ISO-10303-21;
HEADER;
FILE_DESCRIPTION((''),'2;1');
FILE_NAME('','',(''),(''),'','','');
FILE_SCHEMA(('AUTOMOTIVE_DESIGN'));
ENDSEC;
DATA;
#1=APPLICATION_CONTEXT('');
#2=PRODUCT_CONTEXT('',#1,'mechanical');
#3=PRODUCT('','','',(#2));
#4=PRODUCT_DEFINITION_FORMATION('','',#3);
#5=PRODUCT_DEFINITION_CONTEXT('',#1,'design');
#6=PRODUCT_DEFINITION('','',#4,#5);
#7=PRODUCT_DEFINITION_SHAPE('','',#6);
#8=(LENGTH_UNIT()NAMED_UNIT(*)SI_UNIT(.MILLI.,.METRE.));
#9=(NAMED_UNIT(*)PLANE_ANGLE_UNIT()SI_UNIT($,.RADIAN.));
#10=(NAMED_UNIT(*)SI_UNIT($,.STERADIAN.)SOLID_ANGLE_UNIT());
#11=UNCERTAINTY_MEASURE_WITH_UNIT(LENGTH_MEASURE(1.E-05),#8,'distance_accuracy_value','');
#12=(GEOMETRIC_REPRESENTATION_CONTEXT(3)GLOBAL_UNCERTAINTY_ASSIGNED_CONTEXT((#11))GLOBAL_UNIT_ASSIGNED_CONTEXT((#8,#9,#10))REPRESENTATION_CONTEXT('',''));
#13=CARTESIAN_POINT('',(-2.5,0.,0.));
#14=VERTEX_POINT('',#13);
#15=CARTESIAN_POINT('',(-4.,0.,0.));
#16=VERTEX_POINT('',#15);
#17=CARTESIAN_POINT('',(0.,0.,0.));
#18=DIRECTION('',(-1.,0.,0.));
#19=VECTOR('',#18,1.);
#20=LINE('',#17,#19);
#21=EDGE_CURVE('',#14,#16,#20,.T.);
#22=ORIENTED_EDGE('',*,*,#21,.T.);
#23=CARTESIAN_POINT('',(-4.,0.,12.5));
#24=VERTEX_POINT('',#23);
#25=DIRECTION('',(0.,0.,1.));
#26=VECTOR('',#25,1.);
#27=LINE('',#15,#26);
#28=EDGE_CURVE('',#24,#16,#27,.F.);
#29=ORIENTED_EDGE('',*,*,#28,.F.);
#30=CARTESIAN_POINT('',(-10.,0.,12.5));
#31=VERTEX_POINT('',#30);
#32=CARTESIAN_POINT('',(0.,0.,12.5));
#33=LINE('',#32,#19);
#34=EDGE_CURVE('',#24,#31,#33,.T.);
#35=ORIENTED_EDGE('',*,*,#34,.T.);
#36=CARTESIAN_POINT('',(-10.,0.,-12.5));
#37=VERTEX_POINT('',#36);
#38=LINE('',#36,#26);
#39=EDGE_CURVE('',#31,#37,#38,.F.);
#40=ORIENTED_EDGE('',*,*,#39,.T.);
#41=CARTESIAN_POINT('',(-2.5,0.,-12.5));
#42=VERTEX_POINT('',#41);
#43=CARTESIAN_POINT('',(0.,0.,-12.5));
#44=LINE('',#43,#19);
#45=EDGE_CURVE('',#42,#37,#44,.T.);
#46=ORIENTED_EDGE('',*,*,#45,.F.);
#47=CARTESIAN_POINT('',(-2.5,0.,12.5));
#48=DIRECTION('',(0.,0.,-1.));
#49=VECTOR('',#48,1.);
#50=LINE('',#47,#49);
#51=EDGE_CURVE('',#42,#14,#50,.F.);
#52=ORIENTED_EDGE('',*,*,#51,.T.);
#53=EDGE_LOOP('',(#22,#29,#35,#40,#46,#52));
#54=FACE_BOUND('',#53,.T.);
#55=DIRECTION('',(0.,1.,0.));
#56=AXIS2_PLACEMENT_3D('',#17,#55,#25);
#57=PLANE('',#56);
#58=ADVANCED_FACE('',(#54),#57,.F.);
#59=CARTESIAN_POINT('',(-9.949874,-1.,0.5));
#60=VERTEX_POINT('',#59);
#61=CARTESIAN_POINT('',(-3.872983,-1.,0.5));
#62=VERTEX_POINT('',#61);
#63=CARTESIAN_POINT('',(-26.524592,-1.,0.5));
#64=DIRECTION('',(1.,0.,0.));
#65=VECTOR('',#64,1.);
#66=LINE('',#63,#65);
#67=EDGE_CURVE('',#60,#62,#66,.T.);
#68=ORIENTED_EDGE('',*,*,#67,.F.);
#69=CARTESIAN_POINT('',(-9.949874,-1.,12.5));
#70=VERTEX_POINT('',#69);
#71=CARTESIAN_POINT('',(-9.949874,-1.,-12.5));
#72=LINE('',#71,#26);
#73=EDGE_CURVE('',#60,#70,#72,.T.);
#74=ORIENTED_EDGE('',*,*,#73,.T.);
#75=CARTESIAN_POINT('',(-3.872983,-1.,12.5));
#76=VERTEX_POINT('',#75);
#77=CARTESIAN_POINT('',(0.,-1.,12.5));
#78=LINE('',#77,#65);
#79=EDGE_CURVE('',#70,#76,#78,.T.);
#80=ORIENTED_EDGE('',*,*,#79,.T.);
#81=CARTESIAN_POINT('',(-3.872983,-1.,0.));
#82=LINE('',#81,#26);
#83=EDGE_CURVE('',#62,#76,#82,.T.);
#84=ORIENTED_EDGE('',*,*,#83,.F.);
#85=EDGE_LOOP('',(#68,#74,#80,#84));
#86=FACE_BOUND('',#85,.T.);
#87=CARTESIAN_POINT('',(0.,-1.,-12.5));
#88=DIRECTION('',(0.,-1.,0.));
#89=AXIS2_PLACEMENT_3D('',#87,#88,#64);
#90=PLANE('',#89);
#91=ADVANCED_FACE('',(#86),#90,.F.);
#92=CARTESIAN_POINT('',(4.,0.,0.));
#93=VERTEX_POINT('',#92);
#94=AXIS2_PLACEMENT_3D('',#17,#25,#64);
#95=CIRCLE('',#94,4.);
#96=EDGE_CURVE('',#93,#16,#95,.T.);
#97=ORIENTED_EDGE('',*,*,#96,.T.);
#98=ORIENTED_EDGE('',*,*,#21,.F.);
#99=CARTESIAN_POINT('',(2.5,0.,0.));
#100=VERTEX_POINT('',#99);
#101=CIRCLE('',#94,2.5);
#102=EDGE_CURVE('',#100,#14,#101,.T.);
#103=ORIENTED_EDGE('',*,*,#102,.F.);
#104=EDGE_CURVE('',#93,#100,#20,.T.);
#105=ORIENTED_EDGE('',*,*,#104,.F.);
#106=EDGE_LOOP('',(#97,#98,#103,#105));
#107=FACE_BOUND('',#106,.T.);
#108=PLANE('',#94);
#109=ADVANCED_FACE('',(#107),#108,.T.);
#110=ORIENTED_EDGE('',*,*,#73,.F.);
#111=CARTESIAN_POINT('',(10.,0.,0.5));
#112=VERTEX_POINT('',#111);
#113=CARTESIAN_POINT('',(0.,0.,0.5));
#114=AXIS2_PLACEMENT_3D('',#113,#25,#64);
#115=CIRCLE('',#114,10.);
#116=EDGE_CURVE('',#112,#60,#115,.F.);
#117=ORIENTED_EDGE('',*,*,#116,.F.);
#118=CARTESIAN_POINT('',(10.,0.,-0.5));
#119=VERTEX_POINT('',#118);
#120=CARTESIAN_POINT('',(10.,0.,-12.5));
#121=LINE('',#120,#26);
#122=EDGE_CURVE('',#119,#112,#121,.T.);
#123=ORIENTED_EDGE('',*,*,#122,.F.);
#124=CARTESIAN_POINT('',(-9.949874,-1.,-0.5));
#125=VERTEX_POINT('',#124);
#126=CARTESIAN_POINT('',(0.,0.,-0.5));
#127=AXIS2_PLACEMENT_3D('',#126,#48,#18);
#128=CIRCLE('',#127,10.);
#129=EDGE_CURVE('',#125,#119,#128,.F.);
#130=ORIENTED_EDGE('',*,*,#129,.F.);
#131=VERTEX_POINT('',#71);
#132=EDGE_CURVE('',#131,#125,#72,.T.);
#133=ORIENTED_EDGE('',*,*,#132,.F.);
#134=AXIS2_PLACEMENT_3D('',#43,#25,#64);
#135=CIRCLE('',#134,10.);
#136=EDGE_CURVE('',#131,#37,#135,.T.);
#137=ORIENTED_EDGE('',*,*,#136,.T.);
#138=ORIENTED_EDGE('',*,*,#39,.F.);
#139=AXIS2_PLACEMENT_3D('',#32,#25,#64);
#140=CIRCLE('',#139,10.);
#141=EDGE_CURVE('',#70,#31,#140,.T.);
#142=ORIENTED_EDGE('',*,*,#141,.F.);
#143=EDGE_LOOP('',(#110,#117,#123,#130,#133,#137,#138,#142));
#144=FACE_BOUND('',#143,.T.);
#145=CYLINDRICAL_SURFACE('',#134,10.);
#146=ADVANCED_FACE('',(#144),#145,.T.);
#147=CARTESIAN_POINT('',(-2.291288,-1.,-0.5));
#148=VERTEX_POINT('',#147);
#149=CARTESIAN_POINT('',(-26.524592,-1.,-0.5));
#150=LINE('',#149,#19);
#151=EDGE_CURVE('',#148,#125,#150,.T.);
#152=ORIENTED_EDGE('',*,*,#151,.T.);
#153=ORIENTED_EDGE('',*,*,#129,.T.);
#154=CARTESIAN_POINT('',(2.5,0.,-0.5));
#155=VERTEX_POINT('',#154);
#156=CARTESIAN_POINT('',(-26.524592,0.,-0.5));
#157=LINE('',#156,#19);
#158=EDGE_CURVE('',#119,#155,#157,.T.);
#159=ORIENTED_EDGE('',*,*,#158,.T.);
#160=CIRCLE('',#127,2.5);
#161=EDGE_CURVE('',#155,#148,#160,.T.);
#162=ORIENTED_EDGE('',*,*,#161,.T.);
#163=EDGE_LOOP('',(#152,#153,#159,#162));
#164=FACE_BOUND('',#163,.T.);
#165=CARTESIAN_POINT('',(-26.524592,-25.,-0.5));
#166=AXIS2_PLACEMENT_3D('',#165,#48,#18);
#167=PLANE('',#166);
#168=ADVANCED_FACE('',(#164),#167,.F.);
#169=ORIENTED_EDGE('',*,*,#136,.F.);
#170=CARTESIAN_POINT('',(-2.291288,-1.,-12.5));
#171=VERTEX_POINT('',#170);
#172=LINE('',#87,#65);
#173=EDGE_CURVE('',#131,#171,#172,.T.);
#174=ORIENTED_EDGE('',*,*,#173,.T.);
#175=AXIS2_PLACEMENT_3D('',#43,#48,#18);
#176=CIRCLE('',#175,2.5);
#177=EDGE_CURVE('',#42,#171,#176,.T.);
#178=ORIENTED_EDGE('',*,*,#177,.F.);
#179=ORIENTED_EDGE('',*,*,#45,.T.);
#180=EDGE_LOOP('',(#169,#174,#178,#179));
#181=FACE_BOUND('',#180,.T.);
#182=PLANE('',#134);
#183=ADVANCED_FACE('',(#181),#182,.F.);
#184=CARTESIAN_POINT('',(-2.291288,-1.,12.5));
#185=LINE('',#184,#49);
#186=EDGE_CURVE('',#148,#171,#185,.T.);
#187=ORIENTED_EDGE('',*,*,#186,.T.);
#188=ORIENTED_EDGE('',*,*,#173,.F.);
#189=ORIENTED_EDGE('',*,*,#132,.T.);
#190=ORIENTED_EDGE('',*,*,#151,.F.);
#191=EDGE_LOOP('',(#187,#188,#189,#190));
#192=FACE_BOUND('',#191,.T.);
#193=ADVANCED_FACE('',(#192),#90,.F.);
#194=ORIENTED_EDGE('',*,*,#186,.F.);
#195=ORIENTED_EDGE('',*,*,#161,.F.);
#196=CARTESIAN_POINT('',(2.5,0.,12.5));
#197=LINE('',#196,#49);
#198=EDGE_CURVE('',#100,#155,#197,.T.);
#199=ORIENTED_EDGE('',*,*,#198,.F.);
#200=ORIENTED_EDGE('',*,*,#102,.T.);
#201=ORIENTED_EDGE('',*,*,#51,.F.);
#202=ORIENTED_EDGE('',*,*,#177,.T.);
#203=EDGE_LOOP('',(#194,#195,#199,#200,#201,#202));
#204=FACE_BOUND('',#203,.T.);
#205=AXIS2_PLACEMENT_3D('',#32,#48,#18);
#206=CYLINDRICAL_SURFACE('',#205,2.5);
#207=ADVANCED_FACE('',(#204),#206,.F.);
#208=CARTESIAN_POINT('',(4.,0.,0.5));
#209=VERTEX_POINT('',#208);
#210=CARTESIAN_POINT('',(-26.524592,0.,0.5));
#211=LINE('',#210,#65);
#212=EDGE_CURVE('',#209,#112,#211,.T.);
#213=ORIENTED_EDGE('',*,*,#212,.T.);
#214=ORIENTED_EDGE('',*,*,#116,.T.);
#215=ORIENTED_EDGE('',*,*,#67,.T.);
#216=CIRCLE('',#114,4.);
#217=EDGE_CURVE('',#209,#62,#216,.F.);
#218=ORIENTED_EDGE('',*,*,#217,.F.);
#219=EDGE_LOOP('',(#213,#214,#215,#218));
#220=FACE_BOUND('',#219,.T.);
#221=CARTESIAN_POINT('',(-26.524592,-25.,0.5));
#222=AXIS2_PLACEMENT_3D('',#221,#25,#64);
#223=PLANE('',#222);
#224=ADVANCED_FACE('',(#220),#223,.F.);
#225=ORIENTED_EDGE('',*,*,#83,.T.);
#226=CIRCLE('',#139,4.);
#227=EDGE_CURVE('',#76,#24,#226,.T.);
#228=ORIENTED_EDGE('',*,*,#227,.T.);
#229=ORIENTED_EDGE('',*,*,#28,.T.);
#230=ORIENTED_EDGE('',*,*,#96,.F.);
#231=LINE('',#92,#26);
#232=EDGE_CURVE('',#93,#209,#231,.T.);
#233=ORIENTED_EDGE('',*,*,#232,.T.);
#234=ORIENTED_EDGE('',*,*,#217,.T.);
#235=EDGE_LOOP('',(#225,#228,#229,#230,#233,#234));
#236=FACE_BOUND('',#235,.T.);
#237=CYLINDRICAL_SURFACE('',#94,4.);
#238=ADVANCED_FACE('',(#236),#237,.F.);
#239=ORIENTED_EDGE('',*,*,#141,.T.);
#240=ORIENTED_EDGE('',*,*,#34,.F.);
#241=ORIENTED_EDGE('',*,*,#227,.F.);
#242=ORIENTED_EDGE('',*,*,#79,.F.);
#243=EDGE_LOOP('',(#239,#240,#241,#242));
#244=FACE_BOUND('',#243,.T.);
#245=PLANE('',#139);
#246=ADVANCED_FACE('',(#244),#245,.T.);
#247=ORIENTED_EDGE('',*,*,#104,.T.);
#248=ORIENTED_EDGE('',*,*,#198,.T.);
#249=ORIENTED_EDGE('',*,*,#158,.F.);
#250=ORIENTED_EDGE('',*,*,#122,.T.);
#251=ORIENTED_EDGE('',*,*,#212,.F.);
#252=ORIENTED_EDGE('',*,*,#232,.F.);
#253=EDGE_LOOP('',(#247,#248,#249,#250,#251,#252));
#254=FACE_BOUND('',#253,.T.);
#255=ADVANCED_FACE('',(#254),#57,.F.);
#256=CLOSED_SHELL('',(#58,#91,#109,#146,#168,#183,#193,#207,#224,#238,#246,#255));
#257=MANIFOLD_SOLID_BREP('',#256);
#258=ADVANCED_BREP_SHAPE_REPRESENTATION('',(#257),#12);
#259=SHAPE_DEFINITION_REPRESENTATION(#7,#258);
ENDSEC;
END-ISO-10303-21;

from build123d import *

# Parameters (mm, degrees)
SKETCH_1_R          = 10
EXTRUDE_1_DEPTH     = 12.5
SKETCH_2_R          = 4
CUT_EXTRUDE_1_DEPTH = 12.5
SKETCH_4_W          = 53.049184892
SKETCH_4_H          = 1
CUT_EXTRUDE_2_DEPTH = 25
SKETCH_5_W          = 15.903552991
SKETCH_5_H          = 1
CUT_EXTRUDE_3_DEPTH = 25
SKETCH_6_R          = 2.5
CUT_EXTRUDE_4_DEPTH = 25


with BuildPart() as part:
    # 草图1 → 凸台-拉伸1 (new body, symmetric)
    with BuildSketch(Plane.XY):
        Circle(SKETCH_1_R)
    extrude(amount=EXTRUDE_1_DEPTH, both=True)

    # 草图2 → 切除-拉伸1 (cut)
    with BuildSketch(Plane.XY.offset(12.5)):
        Circle(SKETCH_2_R)
    extrude(amount=-CUT_EXTRUDE_1_DEPTH, mode=Mode.SUBTRACT)

    # 草图4 → 切除-拉伸2 (cut)
    with BuildSketch(Plane(origin=(0, 0, 0), x_dir=(1, 0, 0), z_dir=(0, 1, 0))):
        Rectangle(SKETCH_4_W, SKETCH_4_H)
    extrude(amount=-CUT_EXTRUDE_2_DEPTH, mode=Mode.SUBTRACT)

    # 草图5 → 切除-拉伸3 (cut)
    with BuildSketch(Plane.XY.offset(12.5)):
        with Locations((-7.951776496, -0.5)):
            Rectangle(SKETCH_5_W, SKETCH_5_H)
    extrude(amount=-CUT_EXTRUDE_3_DEPTH, mode=Mode.SUBTRACT)

    # 草图6 → 切除-拉伸4 (cut)
    with BuildSketch(Plane(origin=(0, 0, -12.5), x_dir=(-1, 0, 0), z_dir=(0, 0, -1))):
        Circle(SKETCH_6_R)
    extrude(amount=-CUT_EXTRUDE_4_DEPTH, mode=Mode.SUBTRACT)


solid = part.part
